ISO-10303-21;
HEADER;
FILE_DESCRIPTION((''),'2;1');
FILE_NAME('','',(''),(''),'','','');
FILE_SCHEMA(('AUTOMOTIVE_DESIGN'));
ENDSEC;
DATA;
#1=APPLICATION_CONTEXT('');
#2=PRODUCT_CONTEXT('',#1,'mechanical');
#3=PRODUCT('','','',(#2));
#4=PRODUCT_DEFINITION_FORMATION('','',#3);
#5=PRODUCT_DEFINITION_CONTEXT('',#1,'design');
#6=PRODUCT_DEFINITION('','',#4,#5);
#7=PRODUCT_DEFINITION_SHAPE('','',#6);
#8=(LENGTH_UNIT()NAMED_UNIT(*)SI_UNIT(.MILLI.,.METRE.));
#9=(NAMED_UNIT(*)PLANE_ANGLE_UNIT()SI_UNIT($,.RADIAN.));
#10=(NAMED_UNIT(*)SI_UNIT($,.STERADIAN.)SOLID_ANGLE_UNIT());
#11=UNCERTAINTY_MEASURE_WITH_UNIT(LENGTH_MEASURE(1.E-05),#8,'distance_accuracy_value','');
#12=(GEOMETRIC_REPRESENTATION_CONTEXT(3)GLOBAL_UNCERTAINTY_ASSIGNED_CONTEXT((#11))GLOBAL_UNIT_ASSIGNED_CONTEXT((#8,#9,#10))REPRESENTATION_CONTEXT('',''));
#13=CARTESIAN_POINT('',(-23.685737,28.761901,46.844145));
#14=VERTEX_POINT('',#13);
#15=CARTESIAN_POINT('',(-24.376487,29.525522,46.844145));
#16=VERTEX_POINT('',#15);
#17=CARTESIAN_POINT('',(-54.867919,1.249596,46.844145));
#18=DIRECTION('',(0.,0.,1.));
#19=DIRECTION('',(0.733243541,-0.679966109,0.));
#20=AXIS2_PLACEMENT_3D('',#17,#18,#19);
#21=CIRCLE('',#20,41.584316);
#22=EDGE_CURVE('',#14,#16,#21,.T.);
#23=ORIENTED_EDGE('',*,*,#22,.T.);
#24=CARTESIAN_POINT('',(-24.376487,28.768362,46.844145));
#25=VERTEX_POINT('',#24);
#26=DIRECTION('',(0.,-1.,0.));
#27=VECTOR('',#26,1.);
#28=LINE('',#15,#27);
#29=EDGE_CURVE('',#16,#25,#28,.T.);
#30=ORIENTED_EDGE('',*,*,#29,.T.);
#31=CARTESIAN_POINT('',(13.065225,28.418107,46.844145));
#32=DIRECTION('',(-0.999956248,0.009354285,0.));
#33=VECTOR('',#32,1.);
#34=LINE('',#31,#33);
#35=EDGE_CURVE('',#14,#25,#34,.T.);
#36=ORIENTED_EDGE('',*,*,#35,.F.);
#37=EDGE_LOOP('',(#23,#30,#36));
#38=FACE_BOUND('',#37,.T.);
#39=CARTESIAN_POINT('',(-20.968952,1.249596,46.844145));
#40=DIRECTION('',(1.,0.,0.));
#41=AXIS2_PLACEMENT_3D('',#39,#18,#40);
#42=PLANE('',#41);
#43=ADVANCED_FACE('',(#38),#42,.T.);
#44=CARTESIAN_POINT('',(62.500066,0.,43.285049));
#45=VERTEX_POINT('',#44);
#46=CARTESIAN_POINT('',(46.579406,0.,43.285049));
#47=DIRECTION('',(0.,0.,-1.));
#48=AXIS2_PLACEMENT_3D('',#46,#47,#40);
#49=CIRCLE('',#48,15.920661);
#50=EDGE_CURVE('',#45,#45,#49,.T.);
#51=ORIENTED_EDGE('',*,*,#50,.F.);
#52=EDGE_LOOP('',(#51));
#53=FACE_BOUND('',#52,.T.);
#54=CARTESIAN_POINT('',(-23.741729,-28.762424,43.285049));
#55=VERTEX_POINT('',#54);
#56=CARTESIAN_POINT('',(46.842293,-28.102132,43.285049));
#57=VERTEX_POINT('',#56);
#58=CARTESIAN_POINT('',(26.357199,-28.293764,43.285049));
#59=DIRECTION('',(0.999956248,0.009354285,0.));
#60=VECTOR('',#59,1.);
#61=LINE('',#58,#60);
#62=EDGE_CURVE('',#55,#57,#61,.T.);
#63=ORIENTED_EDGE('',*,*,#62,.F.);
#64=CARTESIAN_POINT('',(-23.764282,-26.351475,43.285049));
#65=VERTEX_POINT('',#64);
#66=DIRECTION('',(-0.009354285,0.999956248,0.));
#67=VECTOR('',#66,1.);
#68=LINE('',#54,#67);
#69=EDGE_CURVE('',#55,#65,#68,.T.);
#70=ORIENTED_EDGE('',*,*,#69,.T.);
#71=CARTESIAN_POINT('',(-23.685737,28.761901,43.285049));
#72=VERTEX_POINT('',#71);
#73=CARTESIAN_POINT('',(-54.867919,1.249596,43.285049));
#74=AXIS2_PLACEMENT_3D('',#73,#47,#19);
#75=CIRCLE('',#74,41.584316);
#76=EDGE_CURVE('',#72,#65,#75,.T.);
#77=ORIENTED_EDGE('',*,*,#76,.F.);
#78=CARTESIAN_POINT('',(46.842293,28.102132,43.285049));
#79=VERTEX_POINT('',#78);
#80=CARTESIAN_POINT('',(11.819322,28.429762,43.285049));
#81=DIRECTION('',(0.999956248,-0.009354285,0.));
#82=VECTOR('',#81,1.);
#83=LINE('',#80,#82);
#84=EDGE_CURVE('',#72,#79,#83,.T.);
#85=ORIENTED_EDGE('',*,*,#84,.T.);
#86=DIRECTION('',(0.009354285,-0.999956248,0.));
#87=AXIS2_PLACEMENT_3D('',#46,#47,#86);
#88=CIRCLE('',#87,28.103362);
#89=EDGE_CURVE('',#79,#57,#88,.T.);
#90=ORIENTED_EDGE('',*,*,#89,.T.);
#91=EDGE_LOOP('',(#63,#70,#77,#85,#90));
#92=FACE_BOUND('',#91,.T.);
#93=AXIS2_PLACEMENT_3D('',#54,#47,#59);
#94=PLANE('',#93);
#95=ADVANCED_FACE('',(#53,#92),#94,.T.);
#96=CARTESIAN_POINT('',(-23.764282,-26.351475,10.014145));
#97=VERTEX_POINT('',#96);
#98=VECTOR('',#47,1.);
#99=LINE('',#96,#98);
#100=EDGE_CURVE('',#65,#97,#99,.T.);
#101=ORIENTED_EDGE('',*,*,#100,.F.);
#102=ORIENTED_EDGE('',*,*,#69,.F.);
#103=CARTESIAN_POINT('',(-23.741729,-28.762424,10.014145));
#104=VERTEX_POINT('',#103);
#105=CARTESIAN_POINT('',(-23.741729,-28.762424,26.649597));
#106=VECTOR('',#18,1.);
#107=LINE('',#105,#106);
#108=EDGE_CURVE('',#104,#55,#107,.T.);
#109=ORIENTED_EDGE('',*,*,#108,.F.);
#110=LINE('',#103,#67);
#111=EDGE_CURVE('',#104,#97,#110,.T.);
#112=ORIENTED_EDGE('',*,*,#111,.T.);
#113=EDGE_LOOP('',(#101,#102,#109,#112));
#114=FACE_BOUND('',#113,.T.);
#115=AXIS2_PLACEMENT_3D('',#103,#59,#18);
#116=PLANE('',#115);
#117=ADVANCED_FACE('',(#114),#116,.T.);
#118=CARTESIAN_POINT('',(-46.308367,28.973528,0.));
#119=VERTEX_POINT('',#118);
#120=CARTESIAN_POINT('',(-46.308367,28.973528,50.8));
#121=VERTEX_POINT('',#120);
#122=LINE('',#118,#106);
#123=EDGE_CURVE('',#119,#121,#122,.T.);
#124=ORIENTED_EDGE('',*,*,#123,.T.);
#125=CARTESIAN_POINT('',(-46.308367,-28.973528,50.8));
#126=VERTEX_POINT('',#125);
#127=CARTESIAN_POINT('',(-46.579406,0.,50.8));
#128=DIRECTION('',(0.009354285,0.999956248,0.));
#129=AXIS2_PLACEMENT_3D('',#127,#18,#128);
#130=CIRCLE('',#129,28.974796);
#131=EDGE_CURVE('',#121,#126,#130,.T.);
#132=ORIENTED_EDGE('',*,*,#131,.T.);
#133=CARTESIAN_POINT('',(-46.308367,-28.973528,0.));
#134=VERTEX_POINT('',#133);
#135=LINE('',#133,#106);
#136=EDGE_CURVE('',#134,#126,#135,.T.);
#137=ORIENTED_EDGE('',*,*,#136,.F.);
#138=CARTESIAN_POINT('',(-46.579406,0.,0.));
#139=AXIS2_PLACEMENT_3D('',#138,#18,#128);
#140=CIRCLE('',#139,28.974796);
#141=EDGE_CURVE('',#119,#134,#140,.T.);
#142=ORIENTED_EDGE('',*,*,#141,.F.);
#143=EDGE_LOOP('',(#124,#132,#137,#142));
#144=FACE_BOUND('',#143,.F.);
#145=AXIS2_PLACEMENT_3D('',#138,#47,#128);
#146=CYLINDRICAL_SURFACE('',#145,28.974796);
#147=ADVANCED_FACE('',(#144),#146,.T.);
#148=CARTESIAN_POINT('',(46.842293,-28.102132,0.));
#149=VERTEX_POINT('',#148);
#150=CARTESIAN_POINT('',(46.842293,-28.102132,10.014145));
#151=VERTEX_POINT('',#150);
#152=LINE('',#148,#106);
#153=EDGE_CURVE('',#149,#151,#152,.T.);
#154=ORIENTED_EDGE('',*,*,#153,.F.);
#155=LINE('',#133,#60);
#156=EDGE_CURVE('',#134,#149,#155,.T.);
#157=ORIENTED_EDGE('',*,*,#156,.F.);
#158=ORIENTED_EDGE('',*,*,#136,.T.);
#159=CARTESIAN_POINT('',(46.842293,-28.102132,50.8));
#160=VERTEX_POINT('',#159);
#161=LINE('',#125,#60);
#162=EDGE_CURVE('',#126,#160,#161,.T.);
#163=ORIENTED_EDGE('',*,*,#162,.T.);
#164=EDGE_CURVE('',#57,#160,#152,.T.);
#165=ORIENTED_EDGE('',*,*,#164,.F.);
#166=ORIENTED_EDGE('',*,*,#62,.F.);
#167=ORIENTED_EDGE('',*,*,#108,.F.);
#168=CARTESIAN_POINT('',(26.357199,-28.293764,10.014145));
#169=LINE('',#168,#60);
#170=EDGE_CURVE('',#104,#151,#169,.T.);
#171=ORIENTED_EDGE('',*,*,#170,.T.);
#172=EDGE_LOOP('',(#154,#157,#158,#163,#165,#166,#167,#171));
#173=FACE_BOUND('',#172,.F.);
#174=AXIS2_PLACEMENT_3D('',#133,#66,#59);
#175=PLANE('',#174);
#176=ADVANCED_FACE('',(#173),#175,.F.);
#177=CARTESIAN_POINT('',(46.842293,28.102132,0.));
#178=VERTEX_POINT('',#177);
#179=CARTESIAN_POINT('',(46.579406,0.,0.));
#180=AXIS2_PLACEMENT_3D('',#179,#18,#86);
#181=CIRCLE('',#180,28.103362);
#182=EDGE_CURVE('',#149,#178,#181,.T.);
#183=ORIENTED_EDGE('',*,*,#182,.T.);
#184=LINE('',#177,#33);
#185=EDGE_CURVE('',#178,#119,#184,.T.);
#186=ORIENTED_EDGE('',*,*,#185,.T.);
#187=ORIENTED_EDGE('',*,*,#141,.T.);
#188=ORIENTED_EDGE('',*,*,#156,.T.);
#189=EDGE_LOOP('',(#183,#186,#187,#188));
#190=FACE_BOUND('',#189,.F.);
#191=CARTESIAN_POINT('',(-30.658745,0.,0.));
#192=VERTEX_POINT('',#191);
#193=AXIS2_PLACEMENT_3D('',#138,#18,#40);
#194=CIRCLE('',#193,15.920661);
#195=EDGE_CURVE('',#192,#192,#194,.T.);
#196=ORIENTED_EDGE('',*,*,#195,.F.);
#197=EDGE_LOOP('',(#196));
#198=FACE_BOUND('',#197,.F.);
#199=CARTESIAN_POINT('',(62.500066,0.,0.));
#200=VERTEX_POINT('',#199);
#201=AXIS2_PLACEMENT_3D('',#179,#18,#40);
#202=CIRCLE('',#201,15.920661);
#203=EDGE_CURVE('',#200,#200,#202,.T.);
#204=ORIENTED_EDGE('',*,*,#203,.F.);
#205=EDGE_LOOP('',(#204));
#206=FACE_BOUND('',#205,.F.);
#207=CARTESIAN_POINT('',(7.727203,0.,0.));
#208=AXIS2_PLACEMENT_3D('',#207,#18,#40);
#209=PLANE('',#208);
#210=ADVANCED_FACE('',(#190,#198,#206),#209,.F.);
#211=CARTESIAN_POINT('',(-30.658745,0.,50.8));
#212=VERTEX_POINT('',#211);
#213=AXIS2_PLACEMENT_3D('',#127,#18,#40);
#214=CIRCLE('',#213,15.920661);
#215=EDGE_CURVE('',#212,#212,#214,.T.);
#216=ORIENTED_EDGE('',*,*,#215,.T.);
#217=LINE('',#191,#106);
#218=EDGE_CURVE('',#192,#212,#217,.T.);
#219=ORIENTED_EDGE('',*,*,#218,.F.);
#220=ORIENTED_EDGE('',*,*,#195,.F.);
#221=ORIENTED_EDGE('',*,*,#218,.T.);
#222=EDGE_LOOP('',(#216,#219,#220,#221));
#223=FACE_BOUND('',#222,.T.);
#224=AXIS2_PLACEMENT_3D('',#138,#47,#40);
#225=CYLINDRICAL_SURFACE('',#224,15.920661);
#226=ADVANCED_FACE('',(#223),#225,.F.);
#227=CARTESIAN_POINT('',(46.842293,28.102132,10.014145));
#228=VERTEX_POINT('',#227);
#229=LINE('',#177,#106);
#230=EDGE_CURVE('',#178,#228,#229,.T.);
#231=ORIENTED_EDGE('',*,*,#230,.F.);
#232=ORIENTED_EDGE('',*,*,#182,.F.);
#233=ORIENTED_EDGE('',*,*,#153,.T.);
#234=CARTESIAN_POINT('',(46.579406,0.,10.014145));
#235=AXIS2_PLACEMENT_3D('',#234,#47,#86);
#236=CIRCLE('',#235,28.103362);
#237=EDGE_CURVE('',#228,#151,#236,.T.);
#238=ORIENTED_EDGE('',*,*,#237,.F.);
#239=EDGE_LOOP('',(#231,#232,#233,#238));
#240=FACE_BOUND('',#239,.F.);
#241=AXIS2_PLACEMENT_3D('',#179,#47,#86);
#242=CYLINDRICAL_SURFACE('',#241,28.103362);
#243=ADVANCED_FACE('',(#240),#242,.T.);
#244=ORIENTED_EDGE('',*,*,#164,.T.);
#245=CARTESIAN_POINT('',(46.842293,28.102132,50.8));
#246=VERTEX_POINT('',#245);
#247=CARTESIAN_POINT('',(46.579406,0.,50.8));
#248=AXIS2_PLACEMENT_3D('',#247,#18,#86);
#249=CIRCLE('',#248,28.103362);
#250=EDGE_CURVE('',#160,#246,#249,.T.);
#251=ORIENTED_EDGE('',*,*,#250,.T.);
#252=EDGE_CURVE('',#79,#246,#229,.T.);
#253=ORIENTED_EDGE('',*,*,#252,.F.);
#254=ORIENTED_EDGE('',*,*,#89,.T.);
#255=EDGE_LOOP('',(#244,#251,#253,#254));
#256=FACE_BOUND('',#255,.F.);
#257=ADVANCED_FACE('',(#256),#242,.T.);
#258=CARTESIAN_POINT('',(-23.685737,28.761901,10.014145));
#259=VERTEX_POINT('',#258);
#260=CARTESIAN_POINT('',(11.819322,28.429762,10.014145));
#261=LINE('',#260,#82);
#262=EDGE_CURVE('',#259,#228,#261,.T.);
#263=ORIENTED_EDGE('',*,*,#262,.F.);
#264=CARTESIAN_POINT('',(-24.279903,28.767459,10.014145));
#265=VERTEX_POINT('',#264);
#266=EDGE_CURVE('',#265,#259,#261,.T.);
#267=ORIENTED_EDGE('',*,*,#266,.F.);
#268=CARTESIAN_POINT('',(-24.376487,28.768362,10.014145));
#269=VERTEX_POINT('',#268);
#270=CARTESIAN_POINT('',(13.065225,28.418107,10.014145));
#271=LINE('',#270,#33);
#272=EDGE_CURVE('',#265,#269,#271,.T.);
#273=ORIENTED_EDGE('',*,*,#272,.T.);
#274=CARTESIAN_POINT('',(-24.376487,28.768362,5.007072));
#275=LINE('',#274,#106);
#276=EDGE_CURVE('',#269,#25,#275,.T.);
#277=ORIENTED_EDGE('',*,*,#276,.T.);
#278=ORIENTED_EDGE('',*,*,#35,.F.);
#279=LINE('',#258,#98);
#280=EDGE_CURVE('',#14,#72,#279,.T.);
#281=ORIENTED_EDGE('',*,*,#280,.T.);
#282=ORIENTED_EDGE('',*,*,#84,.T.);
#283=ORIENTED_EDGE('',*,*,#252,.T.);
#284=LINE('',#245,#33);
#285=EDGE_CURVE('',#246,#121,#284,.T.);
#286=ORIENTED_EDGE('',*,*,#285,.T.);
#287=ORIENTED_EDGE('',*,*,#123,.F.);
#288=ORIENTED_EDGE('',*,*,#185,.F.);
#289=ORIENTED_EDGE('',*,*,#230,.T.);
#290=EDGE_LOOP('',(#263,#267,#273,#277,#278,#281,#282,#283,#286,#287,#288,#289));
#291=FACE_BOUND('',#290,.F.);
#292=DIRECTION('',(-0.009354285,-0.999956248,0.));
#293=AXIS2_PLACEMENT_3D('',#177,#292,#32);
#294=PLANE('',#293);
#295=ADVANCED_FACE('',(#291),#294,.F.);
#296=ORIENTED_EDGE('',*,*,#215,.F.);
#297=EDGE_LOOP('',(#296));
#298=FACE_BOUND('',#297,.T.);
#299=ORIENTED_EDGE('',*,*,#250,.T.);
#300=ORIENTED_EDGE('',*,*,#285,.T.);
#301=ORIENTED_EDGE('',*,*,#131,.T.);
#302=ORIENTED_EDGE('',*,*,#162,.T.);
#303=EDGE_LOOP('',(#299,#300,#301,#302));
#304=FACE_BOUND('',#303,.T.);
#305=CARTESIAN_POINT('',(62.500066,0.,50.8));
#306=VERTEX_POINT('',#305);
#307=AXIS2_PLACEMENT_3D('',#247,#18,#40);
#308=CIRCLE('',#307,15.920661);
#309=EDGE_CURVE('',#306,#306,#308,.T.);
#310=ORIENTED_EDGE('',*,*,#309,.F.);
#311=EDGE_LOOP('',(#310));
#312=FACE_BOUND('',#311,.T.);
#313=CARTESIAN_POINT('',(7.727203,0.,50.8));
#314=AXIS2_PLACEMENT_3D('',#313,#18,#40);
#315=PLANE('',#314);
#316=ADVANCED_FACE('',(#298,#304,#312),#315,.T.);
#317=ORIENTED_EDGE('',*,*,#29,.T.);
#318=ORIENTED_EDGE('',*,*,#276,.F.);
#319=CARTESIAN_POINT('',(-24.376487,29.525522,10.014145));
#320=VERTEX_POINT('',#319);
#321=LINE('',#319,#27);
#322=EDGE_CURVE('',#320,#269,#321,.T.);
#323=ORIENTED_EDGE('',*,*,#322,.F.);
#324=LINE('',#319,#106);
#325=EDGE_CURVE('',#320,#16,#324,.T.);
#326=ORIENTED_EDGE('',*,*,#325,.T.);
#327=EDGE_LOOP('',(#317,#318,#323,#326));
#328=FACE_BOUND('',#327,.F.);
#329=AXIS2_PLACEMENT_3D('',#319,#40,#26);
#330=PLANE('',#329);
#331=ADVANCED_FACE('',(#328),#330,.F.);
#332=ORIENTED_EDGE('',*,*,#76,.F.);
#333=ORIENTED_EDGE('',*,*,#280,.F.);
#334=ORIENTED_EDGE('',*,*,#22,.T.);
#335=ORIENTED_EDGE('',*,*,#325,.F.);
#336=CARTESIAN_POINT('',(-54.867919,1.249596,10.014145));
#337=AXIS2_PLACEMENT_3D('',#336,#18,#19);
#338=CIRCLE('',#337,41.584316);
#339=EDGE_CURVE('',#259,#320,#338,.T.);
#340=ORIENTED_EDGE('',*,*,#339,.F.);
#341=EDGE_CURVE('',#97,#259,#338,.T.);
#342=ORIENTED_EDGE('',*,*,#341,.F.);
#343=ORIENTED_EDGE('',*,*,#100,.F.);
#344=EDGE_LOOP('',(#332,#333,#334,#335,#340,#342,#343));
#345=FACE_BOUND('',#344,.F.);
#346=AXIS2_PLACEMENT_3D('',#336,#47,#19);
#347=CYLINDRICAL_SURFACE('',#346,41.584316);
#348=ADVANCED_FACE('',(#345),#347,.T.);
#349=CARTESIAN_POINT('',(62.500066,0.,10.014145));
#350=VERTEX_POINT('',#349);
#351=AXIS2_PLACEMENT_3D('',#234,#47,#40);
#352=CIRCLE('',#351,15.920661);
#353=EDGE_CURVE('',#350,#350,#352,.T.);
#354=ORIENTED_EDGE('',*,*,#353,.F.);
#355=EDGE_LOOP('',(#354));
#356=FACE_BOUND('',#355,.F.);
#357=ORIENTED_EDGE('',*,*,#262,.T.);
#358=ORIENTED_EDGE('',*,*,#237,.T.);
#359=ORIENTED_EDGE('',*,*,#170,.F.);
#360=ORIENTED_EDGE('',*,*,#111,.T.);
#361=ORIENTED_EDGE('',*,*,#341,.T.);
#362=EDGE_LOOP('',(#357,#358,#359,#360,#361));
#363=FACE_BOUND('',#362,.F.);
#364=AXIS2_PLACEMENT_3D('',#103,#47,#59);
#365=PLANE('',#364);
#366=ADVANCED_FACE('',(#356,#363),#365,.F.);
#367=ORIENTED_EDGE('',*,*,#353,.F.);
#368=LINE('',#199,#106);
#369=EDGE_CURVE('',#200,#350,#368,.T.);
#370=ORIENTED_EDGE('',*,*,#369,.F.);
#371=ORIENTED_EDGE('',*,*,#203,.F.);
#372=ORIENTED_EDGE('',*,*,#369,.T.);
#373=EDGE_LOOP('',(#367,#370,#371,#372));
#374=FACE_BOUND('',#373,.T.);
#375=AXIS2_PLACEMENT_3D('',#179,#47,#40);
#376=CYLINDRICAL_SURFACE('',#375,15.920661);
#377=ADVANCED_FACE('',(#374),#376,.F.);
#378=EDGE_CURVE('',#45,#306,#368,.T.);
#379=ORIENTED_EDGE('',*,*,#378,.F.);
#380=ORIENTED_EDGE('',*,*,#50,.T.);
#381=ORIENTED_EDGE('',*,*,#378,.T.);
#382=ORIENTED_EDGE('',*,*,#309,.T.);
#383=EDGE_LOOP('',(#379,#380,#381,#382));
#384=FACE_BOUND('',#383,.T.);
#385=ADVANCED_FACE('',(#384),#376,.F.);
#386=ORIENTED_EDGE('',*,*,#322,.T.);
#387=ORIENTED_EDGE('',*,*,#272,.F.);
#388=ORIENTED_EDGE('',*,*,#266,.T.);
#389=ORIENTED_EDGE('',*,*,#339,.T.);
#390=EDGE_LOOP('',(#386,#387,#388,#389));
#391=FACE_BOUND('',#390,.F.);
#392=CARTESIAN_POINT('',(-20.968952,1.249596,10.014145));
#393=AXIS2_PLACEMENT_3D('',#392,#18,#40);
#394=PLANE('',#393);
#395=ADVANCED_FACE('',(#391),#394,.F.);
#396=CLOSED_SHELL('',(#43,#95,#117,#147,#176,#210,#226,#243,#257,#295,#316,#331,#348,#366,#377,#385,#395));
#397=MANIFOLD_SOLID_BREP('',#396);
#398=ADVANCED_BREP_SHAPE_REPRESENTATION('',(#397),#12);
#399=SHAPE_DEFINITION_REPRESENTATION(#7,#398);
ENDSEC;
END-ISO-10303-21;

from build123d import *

# Parameters (mm, degrees)
F0_R     = 15.9206607186
F1_DEPTH = 50.8
F2_DEPTH = 50.8
F3_W     = 100.2022400498
F3_H     = 33.2709047943
F4_DEPTH = 77.724
F7_DEPTH = 36.83


with BuildPart() as f1:
    # F0 (on Top) → F1 (new body)
    with BuildSketch(Plane.XY):
        with BuildLine():
            ThreePointArc((-46.3083671537, -28.9735284728), (-17.6046094791, 0), (-46.3083671537, 28.9735284728))
            ThreePointArc((-46.3083671537, 28.9735284728), (-75.5542018517, 0), (-46.3083671537, -28.9735284728))
        make_face()
        with Locations((-46.5794056654, 0)):
            Circle(F0_R, mode=Mode.SUBTRACT)
    extrude(amount=F1_DEPTH)

    # F0 (on Top) → F2 (join)
    with BuildSketch(Plane.XY):
        with BuildLine():
            Line((46.8422925338, 28.1021324953), (-46.3083671537, 28.9735284728))
            ThreePointArc((-46.3083671537, 28.9735284728), (-17.6046094791, 0), (-46.3083671537, -28.9735284728))
            Line((-46.3083671537, -28.9735284728), (46.8422925338, -28.1021324953))
            ThreePointArc((46.8422925338, -28.1021324953), (74.682767747, 0), (46.8422925338, 28.1021324953))
        make_face()
        with Locations((46.5794056654, 0)):
            Circle(F0_R, mode=Mode.SUBTRACT)
    extrude(amount=F2_DEPTH)

    # F3 (on face) → F4 (cut)
    with BuildSketch(Plane(origin=(0.26696269, -28.537830484, 0), x_dir=(0.9999562477, 0.0093542854, 0), z_dir=(0.0093542854, -0.9999562477, 0))):
        with Locations((26.0913781822, 26.6495971009)):
            Rectangle(F3_W, F3_H)
    extrude(amount=-F4_DEPTH, mode=Mode.SUBTRACT)

    # F6 (on face) → F7 (join)
    with BuildSketch(Plane.XY.offset(10.0141447037)):
        with BuildLine():
            Line((-24.3764873594, 29.5255221426), (-24.3764873594, -27.0263291895))
            ThreePointArc((-24.3764873594, -27.0263291895), (-13.2836024282, 1.2495964766), (-24.3764873594, 29.5255221426))
        make_face()
    extrude(amount=F7_DEPTH)


solid = f1.part
